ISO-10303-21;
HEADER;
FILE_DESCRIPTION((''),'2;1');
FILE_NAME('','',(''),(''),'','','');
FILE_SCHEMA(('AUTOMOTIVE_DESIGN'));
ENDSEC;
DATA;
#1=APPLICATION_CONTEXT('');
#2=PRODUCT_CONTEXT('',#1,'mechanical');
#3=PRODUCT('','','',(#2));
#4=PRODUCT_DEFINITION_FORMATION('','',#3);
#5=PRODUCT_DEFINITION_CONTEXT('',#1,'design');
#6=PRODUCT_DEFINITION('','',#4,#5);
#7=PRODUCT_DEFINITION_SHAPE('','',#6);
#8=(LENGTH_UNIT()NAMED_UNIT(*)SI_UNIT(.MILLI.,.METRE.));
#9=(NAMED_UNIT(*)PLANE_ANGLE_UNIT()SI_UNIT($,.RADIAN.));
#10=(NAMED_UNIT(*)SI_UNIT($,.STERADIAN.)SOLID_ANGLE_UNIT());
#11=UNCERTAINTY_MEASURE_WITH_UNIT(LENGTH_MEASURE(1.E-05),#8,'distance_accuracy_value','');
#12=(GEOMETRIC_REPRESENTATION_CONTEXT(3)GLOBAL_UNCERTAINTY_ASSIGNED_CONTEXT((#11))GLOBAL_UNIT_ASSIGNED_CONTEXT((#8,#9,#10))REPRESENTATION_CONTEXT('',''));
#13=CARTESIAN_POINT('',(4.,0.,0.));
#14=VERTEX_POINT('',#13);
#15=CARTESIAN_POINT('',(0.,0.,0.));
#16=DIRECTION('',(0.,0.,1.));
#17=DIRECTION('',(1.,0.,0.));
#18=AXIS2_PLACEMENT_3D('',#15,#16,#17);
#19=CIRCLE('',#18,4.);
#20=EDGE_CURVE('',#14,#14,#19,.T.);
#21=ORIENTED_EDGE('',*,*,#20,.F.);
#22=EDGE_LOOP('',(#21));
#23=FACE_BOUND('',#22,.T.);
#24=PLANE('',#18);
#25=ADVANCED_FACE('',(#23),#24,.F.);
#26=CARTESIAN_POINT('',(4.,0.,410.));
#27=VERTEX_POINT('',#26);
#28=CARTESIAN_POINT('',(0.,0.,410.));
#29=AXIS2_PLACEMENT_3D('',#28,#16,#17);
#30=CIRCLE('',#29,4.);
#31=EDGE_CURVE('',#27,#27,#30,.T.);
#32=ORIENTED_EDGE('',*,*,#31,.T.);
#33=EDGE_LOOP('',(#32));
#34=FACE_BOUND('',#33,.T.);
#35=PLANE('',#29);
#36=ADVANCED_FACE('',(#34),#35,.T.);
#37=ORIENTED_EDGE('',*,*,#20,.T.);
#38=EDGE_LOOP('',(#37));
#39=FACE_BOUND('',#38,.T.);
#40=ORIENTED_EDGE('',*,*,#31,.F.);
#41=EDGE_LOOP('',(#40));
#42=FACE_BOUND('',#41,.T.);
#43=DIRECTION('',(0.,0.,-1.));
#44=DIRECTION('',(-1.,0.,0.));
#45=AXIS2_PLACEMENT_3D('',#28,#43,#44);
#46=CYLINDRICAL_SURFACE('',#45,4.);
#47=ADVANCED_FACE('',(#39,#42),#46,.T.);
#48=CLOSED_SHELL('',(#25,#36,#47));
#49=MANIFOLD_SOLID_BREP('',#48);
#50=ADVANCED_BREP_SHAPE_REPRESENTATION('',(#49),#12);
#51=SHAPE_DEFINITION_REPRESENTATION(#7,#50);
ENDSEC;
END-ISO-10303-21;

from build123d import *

# Parameters (mm, degrees)
CROQUIS1_R              = 4
SALIENTE_EXTRUIR2_DEPTH = 410


with BuildPart() as part:
    # Croquis1 → Saliente-Extruir2 (new body)
    with BuildSketch(Plane.XY):
        Circle(CROQUIS1_R)
    extrude(amount=SALIENTE_EXTRUIR2_DEPTH)


solid = part.part
